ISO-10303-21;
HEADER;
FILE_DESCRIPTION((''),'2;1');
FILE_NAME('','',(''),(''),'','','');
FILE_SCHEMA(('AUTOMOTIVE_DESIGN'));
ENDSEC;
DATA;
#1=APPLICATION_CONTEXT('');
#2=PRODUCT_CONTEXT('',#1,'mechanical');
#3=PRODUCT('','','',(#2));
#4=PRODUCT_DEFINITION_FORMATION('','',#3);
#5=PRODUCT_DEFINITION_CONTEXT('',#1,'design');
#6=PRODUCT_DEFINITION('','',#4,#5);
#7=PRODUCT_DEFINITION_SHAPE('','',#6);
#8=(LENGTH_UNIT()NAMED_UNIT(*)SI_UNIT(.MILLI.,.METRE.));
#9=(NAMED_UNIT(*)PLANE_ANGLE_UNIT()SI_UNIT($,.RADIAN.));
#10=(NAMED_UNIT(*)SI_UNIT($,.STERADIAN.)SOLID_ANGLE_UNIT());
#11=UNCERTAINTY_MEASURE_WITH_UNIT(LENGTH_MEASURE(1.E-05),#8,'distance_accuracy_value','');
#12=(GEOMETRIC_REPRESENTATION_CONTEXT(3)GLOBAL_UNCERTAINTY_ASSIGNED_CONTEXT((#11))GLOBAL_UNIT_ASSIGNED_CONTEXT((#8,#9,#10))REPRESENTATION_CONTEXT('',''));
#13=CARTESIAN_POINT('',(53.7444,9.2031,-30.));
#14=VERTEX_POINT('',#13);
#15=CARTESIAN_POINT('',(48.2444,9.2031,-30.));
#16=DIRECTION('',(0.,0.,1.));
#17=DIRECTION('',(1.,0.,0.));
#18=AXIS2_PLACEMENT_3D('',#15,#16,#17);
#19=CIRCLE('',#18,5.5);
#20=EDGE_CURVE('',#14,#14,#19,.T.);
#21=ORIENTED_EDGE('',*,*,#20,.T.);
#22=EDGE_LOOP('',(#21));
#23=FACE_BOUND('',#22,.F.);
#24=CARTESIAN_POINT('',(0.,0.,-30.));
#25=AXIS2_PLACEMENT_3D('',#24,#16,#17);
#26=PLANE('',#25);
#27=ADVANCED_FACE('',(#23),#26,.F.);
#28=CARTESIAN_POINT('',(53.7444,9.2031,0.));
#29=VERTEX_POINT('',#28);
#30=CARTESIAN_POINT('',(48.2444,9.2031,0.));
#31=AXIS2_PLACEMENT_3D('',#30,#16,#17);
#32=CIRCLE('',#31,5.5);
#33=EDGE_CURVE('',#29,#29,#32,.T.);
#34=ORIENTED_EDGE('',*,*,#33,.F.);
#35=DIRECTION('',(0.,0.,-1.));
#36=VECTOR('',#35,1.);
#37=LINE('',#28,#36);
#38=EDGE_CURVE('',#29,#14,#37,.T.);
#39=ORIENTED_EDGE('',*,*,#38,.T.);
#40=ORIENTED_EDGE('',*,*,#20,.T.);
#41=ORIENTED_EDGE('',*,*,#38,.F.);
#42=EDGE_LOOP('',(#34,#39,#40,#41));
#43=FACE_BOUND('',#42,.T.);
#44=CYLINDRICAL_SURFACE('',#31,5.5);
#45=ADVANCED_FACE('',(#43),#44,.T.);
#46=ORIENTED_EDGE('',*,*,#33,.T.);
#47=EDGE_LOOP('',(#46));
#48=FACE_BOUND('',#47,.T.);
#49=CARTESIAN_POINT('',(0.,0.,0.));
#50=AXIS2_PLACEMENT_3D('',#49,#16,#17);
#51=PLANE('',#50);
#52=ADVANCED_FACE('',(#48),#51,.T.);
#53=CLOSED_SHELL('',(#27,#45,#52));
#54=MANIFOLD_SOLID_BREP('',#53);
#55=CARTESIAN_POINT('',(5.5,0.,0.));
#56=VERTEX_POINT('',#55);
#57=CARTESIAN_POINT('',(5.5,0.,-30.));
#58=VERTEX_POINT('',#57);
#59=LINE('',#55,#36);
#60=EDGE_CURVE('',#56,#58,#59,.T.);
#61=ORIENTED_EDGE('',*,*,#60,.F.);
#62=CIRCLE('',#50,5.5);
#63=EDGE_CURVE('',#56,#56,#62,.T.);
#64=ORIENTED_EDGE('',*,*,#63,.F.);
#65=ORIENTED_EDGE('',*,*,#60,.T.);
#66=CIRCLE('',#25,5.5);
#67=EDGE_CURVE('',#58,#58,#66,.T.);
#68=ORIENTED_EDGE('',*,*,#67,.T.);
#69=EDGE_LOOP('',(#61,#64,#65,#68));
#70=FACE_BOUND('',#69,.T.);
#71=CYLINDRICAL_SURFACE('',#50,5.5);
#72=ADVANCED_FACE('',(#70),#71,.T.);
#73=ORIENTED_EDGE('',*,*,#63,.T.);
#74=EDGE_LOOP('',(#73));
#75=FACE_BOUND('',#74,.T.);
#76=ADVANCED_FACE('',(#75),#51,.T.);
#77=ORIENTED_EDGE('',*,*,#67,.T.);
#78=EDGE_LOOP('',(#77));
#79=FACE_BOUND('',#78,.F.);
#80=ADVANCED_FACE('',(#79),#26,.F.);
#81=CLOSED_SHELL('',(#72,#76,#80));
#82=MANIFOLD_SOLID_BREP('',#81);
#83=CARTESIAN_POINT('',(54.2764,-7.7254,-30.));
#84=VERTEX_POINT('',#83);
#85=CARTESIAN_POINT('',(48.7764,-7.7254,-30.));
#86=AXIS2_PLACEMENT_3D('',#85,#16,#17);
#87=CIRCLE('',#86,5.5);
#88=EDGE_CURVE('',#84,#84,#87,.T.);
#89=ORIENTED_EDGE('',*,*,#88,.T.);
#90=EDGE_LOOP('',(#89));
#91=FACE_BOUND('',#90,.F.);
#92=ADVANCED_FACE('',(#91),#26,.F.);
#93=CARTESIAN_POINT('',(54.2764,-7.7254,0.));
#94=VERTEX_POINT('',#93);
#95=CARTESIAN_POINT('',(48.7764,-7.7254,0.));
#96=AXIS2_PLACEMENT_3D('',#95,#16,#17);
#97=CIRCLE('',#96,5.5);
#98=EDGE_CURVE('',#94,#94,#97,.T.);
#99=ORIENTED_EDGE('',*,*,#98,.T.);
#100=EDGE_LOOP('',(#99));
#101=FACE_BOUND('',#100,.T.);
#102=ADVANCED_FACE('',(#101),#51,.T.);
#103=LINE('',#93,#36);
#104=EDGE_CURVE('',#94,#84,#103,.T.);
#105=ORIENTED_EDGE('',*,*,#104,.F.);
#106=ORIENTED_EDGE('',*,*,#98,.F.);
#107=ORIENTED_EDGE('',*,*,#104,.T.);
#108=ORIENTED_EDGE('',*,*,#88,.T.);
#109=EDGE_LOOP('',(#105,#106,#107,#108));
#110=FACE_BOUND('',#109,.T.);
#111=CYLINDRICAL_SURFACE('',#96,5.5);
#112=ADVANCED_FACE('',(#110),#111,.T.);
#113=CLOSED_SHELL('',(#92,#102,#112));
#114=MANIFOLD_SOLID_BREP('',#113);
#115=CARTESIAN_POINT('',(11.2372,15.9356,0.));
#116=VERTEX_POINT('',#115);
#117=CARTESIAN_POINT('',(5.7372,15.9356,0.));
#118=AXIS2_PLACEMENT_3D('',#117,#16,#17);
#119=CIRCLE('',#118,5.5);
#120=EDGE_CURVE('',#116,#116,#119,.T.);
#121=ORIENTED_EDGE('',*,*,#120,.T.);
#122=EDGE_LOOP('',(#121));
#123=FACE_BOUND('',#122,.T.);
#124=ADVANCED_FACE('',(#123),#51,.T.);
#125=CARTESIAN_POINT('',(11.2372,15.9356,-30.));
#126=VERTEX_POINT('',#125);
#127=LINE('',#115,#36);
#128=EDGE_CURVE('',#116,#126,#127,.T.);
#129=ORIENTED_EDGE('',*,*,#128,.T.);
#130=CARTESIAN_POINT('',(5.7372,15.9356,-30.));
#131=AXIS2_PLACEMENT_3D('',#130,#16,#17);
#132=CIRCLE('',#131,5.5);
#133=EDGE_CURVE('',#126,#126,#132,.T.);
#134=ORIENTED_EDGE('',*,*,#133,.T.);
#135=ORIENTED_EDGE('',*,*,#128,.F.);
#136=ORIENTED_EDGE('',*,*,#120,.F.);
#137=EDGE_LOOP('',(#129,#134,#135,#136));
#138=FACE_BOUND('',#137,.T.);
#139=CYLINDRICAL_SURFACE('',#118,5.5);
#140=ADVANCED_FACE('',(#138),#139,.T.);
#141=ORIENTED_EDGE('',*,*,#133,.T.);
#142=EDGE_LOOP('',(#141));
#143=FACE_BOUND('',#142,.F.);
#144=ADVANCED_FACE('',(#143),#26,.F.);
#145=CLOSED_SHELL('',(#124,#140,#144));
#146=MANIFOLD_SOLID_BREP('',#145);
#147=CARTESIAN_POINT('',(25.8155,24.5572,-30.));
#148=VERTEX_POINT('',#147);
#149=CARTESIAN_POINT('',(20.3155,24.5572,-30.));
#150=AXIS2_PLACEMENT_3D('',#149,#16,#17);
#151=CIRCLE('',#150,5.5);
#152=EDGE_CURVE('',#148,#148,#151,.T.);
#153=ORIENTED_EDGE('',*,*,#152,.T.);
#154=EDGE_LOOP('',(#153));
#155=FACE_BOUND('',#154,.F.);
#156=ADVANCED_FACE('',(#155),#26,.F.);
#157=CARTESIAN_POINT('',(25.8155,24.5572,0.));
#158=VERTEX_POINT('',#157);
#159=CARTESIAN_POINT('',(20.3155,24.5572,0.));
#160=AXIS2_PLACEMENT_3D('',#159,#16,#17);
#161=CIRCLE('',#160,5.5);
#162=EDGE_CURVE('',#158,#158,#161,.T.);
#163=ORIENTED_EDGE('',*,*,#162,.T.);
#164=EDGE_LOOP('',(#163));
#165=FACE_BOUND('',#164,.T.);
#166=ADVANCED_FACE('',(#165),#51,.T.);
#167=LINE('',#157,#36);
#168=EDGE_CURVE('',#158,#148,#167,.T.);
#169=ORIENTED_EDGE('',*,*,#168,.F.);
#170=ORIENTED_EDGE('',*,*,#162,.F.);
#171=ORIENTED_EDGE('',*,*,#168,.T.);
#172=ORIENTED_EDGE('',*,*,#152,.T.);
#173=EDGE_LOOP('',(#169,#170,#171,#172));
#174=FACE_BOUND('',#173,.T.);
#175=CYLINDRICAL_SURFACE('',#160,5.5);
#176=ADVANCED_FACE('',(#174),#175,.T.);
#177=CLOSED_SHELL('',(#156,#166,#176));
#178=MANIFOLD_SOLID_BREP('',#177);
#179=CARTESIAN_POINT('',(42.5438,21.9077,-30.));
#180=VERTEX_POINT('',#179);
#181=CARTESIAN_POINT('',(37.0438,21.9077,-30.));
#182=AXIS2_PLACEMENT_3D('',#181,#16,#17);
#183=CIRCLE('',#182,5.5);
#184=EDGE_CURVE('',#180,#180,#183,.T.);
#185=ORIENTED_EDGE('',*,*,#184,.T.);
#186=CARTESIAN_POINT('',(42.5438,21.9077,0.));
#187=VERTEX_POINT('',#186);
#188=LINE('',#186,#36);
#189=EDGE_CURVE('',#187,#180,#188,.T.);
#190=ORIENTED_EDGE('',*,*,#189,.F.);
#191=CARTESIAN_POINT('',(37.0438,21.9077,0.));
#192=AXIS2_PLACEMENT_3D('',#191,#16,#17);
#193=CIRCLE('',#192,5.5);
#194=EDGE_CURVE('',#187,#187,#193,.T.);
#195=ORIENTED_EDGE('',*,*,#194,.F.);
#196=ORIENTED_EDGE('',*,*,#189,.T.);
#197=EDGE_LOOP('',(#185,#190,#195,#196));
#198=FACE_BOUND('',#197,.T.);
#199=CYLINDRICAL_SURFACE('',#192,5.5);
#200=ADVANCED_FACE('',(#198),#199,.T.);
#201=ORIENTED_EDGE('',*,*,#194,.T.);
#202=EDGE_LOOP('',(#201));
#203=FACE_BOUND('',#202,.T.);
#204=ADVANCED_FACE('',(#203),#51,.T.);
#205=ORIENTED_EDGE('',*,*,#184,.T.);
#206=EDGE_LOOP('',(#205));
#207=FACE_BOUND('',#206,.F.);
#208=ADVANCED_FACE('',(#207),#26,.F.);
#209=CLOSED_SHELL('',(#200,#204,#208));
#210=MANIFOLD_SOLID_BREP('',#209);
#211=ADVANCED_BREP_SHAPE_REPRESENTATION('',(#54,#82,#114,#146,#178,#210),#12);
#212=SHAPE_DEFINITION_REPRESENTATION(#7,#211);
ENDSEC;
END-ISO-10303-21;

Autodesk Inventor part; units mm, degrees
ref_plane "YZ Plane" through (0, 0, 0) normal (1, 0, 0) x (0, 1, 0)
ref_plane "XZ Plane" through (0, 0, 0) normal (0, 1, 0) x (-1, 0, 0)
ref_plane "XY Plane" through (0, 0, 0) normal (0, 0, 1) x (1, 0, 0)
ref_plane "Work Plane1" through (0, 0, 0) normal (0, 0, 1) x (1, 0, 0)
sketch "Sketch1" plane through (0, 0, 0) normal (0, 0, 1) x (1, 0, 0)
  circle A0 centre (48.7764, -7.7254) radius 5.5 projected
  circle A1 centre (48.2444, 9.2031) radius 5.5 projected
  circle A2 centre (37.0438, 21.9077) radius 5.5 projected
  circle A3 centre (20.3155, 24.5572) radius 5.5 projected
  circle A4 centre (5.7372, 15.9356) radius 5.5 projected
  circle A5 centre (0, 0) radius 5.5 projected
  arc A6 (-1.1822, 9.4262) -> (6.9193, 6.5094) centre (0, 0) ccw projected
  arc A7 (6.9193, 6.5094) -> (15.2179, 16.5407) centre (5.7372, 15.9356) ccw projected
  arc A8 (15.2179, 16.5407) -> (28.0062, 18.9802) centre (20.3155, 24.5572) ccw projected
  arc A9 (28.0062, 18.9802) -> (39.4147, 12.7083) centre (37.0438, 21.9077) ccw projected
  arc A10 (39.4147, 12.7083) -> (44.2073, 0.6036) centre (48.2444, 9.2031) ccw projected
  arc A11 (44.2073, 0.6036) -> (52.8136, 0.8741) centre (48.7764, -7.7254) ccw projected
  arc A12 (52.8136, 0.8741) -> (45.8736, 18.4025) centre (48.2444, 9.2031) ccw projected
  arc A13 (45.8736, 18.4025) -> (29.3531, 27.4847) centre (37.0438, 21.9077) ccw projected
  arc A14 (29.3531, 27.4847) -> (10.8348, 23.9521) centre (20.3155, 24.5572) ccw projected
  arc A15 (10.8348, 23.9521) -> (-1.1822, 9.4262) centre (5.7372, 15.9356) ccw projected
  point P0 (0, 0)
extrude "Extrusion1" add sketch "Sketch1" against normal blind 30 contours A0 | A1 | A2 | A3 | A4 | A5
properties part number "create hole in pelvis"
